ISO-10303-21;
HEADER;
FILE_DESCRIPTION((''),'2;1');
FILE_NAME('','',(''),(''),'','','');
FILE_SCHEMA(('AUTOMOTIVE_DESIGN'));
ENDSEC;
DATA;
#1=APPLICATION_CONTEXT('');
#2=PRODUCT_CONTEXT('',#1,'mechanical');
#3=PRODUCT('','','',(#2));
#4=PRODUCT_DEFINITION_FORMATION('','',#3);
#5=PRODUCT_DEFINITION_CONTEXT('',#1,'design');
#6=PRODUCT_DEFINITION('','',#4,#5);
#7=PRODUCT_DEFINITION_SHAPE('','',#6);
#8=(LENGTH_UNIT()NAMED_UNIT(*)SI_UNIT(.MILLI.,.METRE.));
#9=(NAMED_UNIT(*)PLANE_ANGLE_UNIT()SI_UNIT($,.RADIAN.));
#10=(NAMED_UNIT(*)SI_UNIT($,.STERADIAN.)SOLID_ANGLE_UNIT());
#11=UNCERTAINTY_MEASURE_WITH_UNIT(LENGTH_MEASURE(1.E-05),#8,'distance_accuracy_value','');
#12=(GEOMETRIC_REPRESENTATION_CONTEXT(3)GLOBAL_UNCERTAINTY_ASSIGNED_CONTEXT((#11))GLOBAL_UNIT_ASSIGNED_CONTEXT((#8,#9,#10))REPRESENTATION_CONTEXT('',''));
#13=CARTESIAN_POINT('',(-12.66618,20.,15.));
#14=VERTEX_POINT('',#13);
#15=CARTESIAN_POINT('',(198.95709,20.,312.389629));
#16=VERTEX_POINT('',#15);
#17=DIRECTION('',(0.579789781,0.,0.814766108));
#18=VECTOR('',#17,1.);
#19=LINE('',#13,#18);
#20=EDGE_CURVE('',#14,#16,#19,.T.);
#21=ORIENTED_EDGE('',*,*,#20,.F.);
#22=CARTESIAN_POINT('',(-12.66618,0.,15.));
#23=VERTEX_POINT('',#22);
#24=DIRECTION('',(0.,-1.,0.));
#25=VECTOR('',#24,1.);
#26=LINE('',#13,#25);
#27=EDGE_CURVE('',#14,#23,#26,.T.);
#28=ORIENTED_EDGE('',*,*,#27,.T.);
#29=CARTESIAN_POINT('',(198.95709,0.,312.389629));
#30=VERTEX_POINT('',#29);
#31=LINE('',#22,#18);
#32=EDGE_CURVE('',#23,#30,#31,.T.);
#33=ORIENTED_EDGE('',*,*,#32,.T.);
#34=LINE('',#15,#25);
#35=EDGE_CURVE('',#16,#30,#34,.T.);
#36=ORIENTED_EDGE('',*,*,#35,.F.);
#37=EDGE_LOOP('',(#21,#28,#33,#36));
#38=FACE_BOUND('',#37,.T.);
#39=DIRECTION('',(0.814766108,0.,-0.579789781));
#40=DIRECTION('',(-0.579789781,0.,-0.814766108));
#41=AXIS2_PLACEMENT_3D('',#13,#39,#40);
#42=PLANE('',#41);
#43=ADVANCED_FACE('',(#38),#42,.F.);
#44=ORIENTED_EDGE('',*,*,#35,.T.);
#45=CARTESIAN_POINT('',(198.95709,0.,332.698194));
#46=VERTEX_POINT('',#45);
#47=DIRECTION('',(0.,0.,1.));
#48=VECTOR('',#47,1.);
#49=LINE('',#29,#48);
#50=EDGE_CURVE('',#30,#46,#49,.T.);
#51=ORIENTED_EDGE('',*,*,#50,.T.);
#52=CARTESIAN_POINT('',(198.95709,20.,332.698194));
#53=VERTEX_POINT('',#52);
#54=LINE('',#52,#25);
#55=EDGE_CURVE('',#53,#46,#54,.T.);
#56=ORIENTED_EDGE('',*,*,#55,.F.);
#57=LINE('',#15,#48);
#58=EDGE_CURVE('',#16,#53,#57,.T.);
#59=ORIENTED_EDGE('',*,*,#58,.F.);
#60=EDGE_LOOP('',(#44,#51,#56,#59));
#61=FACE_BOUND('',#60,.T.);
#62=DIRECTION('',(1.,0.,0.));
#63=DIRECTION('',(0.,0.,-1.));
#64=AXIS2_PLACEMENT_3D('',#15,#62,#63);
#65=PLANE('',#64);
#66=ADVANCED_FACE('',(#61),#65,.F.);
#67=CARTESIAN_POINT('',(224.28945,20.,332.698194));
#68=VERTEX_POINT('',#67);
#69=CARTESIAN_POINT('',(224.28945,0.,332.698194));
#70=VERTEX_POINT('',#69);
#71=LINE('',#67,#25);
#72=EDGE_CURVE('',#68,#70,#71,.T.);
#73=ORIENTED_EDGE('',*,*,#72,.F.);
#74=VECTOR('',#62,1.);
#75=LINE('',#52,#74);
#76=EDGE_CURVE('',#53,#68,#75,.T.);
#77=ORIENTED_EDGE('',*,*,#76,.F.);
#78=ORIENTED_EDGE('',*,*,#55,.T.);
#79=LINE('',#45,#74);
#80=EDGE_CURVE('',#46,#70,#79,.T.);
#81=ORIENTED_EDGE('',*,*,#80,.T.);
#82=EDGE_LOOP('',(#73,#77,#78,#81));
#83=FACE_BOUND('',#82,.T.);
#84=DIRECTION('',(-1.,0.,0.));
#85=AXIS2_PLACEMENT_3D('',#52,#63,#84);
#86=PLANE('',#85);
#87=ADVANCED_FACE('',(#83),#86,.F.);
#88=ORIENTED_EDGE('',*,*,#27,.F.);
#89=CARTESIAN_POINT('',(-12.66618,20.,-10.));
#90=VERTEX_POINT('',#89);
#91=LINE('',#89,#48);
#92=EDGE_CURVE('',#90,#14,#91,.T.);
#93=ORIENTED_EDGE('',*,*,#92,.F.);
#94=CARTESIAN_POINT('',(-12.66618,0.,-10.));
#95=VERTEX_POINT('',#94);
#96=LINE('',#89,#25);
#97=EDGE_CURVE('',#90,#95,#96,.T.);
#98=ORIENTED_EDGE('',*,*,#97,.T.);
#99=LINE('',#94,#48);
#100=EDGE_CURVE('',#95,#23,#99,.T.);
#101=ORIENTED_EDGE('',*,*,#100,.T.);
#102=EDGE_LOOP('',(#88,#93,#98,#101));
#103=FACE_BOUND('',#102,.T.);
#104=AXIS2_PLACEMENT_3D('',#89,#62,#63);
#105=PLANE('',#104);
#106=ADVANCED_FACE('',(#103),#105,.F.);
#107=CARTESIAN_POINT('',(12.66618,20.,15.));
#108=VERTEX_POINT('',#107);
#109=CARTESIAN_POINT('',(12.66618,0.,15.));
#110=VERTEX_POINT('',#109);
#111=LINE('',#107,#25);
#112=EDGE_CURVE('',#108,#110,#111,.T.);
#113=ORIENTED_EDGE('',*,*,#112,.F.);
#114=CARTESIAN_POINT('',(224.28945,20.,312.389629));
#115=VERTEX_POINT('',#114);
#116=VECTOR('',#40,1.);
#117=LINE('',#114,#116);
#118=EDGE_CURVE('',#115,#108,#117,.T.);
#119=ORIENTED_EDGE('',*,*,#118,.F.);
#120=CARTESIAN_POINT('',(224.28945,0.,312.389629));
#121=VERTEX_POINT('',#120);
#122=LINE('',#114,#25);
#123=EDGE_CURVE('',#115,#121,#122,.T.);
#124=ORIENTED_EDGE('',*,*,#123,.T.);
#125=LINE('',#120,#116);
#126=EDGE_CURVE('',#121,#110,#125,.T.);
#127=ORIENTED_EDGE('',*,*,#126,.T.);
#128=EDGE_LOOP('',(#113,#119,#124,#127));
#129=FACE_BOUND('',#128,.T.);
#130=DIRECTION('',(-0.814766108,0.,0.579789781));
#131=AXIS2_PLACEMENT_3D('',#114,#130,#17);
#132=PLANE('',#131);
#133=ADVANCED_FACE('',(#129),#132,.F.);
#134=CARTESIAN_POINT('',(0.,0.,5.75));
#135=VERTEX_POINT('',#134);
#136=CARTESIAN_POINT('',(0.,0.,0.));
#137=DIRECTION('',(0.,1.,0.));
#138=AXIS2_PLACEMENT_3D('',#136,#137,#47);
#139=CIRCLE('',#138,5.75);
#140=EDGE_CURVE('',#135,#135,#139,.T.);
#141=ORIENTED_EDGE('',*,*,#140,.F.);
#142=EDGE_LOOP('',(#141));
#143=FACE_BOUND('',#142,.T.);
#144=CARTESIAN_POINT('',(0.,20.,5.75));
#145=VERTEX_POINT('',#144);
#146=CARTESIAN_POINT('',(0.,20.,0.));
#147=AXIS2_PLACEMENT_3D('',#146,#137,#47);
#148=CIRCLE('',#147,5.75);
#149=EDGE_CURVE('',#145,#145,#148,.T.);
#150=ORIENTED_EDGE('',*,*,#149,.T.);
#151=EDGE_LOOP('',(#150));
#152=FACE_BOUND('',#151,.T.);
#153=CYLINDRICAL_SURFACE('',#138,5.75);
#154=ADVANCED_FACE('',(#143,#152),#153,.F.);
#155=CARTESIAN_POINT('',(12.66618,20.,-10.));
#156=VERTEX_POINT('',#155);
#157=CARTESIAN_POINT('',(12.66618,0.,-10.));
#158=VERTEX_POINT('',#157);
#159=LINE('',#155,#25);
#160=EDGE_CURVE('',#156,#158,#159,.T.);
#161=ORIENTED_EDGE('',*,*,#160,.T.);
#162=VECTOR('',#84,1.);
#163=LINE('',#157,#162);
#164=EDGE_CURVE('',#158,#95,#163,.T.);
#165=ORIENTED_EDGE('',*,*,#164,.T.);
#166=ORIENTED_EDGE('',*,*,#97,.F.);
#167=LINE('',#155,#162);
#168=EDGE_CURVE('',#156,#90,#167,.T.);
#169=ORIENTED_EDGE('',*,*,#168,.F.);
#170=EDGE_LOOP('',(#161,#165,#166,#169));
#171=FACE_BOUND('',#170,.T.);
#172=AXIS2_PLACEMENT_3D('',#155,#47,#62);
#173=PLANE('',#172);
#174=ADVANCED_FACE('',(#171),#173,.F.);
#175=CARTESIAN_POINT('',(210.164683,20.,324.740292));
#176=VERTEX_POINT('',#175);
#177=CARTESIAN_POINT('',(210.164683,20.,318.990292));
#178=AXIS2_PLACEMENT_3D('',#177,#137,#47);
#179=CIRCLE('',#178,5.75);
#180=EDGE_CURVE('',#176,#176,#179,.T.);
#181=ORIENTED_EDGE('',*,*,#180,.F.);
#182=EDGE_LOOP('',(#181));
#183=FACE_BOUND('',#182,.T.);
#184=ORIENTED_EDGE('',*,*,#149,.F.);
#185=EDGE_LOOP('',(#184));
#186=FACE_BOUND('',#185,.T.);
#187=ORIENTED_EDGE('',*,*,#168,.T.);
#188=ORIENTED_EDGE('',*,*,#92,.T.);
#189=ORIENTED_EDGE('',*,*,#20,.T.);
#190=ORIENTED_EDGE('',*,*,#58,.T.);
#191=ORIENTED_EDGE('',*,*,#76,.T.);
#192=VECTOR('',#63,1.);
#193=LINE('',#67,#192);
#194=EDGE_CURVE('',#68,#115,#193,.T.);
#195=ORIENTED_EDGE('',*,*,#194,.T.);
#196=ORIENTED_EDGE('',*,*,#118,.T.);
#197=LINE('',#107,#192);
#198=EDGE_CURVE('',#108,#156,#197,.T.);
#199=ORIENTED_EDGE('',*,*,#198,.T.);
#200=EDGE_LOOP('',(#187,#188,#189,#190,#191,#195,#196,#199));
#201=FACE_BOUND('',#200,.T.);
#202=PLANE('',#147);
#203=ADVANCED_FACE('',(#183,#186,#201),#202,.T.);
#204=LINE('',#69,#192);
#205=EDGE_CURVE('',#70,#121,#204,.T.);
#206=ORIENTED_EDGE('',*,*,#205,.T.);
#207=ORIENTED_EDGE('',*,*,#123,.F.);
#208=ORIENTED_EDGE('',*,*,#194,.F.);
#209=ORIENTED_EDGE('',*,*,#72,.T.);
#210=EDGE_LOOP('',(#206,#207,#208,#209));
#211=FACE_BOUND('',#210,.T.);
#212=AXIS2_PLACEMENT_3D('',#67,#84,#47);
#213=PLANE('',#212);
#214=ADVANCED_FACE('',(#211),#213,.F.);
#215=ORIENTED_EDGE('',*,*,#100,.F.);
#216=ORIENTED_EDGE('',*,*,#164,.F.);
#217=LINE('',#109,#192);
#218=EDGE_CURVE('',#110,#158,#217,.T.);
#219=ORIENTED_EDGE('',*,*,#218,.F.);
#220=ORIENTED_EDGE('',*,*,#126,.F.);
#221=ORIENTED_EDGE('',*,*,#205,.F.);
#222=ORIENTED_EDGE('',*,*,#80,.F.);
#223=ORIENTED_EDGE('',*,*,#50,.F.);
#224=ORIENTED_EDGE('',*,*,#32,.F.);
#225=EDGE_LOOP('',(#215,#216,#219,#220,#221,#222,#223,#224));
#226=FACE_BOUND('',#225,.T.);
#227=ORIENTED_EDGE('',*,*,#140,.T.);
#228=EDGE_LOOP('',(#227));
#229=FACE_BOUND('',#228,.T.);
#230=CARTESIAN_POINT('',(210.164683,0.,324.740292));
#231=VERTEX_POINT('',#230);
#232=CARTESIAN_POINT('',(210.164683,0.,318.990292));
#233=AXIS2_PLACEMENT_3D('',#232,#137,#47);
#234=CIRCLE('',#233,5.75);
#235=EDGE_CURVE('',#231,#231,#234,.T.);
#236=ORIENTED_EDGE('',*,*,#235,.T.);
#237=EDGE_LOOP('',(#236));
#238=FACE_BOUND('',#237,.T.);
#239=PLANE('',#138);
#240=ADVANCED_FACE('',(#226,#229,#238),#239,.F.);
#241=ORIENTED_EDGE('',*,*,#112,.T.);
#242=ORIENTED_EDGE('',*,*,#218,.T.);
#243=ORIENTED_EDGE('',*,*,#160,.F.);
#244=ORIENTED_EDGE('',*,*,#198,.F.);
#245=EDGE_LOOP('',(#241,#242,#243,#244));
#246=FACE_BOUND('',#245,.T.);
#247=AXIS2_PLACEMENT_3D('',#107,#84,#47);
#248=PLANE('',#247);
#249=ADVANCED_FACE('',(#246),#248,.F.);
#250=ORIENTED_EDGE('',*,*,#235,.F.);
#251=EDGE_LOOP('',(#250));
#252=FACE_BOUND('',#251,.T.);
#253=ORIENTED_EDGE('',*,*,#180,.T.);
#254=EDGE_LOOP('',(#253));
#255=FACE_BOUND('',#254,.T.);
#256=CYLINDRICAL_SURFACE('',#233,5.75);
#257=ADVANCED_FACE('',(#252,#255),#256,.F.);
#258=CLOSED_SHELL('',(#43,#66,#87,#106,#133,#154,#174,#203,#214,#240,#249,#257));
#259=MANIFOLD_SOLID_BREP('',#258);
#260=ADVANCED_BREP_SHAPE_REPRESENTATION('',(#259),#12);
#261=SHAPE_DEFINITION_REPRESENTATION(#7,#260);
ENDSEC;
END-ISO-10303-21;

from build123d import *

# Parameters (mm, degrees)
BOSS_EXTRUDE2_DEPTH = 20
SKETCH3_R           = 5.75
CUT_EXTRUDE1_DEPTH  = 21


with BuildPart() as part:
    # Sketch2 → Boss-Extrude2 (new body)
    with BuildSketch(Plane(origin=(0, 0, 0), x_dir=(1, 0, 0), z_dir=(0, 1, 0))):
        Polygon((-12.666179626, 10), (-12.666179626, -15), (198.957090302, -312.389629316), (198.957090302, -332.698194406), (224.289449554, -332.698194406), (224.289449554, -312.389629316), (12.666179626, -15), (12.666179626, 10), align=None)
    extrude(amount=BOSS_EXTRUDE2_DEPTH)

    # Sketch3 → Cut-Extrude1 (cut, through all)
    with BuildSketch(Plane(origin=(0, 20, 0), x_dir=(1, 0, 0), z_dir=(0, 1, 0))):
        Circle(SKETCH3_R)
        with Locations((210.164682847, -318.99029152)):
            Circle(SKETCH3_R)
    extrude(amount=-CUT_EXTRUDE1_DEPTH, mode=Mode.SUBTRACT)


solid = part.part
